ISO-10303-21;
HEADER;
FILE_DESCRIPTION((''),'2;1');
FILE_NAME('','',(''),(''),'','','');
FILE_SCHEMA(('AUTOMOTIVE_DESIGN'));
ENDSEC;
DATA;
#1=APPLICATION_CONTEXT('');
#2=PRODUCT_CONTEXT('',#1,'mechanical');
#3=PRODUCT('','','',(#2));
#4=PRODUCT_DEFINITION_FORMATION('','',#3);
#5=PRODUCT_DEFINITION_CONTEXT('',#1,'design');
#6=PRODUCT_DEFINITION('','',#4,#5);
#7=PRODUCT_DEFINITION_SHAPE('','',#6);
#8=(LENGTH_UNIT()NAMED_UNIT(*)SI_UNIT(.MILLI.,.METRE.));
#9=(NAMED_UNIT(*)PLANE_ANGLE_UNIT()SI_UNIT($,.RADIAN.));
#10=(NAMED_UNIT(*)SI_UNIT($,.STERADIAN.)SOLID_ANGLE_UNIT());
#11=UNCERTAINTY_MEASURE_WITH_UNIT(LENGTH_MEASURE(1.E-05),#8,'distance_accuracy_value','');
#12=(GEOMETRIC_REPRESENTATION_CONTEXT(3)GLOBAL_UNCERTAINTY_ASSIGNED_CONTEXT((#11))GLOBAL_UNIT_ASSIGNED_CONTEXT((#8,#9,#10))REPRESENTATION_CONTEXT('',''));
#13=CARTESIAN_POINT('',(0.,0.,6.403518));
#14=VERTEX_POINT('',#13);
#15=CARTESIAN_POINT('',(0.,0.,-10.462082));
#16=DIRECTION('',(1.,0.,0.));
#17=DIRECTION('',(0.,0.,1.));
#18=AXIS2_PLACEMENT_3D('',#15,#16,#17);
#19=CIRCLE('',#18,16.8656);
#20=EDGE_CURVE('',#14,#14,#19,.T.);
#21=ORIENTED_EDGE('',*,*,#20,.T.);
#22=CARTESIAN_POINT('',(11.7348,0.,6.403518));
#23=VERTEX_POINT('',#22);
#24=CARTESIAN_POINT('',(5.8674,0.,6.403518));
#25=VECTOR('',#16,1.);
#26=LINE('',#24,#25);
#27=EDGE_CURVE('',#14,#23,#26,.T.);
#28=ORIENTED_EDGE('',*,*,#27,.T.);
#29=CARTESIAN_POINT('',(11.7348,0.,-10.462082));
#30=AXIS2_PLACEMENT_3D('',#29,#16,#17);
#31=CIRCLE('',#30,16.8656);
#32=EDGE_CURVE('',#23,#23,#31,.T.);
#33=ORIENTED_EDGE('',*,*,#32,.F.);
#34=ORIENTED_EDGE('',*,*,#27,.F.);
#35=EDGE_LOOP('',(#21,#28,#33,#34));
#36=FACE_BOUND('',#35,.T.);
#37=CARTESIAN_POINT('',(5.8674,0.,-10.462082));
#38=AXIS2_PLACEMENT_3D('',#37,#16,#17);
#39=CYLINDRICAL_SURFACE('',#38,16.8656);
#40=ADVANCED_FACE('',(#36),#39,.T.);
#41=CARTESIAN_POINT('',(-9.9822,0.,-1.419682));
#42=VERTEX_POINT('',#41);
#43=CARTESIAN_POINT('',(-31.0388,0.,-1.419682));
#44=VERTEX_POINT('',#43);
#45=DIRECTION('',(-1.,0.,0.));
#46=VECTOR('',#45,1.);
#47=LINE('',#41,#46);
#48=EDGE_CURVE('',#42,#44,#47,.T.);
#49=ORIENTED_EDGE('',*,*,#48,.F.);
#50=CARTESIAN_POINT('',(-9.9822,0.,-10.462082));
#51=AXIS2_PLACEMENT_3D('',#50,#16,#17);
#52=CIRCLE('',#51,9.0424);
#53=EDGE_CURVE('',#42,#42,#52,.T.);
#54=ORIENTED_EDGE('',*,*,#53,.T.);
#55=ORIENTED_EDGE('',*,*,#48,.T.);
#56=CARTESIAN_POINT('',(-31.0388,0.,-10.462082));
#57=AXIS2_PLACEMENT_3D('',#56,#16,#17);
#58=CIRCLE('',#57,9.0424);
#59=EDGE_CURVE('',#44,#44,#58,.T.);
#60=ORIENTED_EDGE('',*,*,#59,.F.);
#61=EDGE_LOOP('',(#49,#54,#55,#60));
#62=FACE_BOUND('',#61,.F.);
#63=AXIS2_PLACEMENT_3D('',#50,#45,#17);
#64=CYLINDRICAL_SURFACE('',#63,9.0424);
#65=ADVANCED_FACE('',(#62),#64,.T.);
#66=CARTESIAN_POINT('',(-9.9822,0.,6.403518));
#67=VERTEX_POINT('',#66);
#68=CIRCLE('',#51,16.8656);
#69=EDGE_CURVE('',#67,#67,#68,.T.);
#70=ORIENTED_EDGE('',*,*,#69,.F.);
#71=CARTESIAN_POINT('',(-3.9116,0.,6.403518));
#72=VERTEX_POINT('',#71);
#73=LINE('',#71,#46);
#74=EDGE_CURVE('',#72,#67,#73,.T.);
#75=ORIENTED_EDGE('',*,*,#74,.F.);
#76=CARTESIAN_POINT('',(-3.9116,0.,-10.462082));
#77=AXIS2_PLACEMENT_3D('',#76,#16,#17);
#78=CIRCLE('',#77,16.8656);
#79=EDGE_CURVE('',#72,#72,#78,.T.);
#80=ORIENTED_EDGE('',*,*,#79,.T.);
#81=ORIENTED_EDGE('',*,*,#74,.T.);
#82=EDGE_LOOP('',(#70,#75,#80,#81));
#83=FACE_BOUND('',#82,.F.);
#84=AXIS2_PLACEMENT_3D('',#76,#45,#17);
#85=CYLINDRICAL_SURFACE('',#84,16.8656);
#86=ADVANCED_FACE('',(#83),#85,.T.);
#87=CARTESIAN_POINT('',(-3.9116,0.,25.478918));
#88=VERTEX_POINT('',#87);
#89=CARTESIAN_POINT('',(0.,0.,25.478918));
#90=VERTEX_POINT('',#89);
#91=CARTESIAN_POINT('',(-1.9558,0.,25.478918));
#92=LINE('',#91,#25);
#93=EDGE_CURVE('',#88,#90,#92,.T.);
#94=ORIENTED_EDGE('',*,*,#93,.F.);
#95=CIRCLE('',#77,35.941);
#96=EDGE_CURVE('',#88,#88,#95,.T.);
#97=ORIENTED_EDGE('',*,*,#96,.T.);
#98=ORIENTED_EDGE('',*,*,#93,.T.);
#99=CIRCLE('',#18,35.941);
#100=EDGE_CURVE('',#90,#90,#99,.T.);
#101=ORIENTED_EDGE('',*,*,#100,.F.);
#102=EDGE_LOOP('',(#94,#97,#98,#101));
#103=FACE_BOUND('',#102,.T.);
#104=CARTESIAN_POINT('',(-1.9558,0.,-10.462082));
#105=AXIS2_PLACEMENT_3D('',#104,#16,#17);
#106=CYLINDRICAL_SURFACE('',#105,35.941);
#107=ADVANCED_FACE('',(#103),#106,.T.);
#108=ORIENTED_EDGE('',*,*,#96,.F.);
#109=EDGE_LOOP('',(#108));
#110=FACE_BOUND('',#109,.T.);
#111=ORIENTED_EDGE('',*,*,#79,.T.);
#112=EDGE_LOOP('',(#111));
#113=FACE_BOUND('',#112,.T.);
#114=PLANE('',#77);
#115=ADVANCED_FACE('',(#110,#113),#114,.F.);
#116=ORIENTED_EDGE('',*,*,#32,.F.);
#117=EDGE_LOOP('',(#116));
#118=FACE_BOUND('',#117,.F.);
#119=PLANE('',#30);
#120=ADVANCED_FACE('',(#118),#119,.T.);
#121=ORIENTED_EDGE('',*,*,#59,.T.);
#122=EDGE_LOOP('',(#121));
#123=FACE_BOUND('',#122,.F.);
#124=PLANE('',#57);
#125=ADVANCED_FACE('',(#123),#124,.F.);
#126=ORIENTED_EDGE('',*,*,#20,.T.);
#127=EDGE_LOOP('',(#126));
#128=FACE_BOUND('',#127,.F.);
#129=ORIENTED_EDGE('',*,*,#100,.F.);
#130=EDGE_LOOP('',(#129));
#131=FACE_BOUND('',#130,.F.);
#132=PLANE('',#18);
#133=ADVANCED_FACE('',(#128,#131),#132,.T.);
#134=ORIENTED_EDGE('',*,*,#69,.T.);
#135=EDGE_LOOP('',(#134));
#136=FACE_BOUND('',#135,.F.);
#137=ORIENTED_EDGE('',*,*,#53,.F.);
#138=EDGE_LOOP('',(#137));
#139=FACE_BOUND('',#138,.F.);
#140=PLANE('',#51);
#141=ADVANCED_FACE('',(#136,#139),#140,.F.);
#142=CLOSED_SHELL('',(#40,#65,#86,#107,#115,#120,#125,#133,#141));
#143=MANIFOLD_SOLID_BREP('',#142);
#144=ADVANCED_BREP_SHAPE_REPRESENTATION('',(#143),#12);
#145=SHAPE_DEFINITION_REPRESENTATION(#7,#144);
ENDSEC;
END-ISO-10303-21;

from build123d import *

# Parameters (mm, degrees)
F0_W   = 3.9116
F0_H   = 19.0754
F0_W_2 = 11.7348
F0_H_2 = 7.8232


with BuildPart() as f1:
    # F0 (on Front) → F1 (revolve)
    with BuildSketch(Plane.XZ):
        with Locations((-1.9558, 15.941218)):
            Rectangle(F0_W, F0_H)
        Polygon((-9.9822, 6.403518), (-9.9822, -1.419682), (0, -1.419682), (0, 6.403518), (-3.9116, 6.403518), align=None)
        with Locations((5.8674, 2.491918)):
            Rectangle(F0_W_2, F0_H_2)
        Polygon((-9.9822, -1.419682), (-31.0388, -1.419682), (-31.0388, -10.462082), (11.7348, -10.462082), (11.7348, -1.419682), (0, -1.419682), align=None)
    revolve(axis=Axis((-9.652, 0, -10.462082), (1, 0, 0)))


solid = f1.part
